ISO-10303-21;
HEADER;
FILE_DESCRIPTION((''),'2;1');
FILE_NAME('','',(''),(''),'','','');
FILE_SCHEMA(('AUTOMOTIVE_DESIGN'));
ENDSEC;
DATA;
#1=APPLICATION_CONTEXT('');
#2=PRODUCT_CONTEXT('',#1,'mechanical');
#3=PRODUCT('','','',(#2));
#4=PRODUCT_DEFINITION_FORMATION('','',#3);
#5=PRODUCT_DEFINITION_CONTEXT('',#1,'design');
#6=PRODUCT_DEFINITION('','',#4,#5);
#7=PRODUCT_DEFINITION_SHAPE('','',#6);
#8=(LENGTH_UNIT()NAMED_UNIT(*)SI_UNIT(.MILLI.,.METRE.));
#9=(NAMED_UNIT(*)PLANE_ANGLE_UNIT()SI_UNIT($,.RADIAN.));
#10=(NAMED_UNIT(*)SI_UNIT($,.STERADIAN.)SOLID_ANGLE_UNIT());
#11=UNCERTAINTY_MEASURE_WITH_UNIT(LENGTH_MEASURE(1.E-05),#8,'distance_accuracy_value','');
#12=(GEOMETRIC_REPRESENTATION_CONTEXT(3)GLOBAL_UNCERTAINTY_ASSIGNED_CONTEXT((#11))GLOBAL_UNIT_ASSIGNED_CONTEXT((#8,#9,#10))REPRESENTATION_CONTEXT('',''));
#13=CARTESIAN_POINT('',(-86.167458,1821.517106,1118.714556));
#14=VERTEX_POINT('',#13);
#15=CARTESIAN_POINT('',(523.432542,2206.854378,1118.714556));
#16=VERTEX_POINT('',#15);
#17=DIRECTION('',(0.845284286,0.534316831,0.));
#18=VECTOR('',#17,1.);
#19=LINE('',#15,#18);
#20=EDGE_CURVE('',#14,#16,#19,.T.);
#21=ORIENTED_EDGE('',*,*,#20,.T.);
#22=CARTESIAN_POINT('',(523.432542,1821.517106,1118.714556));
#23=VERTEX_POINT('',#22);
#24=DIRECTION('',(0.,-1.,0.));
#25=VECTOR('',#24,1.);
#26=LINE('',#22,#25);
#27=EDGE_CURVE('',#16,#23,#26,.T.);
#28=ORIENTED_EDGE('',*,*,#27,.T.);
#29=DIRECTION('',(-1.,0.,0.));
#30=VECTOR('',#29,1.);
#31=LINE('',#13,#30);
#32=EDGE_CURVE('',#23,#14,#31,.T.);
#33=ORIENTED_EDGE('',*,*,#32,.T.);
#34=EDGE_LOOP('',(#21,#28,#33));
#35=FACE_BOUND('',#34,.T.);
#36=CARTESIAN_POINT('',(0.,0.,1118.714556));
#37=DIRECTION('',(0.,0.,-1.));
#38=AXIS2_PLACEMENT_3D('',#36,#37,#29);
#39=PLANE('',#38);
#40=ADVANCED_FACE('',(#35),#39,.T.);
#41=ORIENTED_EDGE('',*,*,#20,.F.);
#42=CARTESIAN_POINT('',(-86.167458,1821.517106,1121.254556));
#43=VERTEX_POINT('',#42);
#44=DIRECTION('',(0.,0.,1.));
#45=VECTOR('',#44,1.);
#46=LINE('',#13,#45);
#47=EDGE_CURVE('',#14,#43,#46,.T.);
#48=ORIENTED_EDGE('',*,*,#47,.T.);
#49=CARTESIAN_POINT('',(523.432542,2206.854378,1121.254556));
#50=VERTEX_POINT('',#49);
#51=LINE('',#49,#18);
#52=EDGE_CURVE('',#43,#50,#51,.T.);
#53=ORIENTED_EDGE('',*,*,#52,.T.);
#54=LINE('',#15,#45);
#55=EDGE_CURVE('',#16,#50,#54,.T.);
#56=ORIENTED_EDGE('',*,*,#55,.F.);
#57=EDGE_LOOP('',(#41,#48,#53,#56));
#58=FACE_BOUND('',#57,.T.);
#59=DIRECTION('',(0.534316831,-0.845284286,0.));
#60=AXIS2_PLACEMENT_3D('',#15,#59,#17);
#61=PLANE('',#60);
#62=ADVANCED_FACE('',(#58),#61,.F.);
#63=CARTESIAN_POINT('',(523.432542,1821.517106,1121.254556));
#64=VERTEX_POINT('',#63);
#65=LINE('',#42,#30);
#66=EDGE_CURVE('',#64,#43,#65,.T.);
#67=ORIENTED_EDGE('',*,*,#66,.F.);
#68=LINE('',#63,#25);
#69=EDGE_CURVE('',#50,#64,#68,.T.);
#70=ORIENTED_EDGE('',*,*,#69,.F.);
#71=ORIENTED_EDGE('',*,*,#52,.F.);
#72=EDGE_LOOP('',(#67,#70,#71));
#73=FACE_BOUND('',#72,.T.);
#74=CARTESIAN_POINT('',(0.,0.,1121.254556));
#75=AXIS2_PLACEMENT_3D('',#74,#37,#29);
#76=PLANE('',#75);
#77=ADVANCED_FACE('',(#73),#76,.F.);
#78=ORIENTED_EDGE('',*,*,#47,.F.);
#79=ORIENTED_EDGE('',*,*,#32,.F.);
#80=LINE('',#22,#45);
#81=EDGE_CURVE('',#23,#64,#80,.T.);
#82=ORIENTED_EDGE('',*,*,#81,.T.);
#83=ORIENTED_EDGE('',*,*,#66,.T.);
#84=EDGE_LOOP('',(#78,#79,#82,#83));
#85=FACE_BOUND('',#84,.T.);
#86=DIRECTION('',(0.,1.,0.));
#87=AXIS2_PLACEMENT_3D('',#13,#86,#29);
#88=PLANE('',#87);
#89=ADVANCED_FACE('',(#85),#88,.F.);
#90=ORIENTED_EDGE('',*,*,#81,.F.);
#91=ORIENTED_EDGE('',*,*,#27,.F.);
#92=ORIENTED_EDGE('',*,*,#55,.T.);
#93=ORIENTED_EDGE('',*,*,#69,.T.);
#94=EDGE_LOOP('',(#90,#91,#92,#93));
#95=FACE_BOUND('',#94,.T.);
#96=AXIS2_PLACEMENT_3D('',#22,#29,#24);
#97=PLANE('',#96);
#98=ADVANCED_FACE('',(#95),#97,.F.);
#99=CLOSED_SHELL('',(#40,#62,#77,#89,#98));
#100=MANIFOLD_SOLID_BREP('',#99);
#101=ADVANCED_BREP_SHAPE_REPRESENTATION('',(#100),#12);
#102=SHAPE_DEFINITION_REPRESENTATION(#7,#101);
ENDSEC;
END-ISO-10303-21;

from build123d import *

# Parameters (mm, degrees)
BOSS_EXTRUDE1_DEPTH = 2.54


with BuildPart() as part:
    # Sketch1 → Boss-Extrude1 (new body)
    with BuildSketch(Plane(origin=(0, 0, 1121.25455637), x_dir=(-1, 0, 0), z_dir=(0, 0, -1))):
        Polygon((86.167457674, 1821.517106037), (-523.432542326, 1821.517106037), (-523.432542326, 2206.854377562), align=None)
    extrude(amount=BOSS_EXTRUDE1_DEPTH)


solid = part.part
